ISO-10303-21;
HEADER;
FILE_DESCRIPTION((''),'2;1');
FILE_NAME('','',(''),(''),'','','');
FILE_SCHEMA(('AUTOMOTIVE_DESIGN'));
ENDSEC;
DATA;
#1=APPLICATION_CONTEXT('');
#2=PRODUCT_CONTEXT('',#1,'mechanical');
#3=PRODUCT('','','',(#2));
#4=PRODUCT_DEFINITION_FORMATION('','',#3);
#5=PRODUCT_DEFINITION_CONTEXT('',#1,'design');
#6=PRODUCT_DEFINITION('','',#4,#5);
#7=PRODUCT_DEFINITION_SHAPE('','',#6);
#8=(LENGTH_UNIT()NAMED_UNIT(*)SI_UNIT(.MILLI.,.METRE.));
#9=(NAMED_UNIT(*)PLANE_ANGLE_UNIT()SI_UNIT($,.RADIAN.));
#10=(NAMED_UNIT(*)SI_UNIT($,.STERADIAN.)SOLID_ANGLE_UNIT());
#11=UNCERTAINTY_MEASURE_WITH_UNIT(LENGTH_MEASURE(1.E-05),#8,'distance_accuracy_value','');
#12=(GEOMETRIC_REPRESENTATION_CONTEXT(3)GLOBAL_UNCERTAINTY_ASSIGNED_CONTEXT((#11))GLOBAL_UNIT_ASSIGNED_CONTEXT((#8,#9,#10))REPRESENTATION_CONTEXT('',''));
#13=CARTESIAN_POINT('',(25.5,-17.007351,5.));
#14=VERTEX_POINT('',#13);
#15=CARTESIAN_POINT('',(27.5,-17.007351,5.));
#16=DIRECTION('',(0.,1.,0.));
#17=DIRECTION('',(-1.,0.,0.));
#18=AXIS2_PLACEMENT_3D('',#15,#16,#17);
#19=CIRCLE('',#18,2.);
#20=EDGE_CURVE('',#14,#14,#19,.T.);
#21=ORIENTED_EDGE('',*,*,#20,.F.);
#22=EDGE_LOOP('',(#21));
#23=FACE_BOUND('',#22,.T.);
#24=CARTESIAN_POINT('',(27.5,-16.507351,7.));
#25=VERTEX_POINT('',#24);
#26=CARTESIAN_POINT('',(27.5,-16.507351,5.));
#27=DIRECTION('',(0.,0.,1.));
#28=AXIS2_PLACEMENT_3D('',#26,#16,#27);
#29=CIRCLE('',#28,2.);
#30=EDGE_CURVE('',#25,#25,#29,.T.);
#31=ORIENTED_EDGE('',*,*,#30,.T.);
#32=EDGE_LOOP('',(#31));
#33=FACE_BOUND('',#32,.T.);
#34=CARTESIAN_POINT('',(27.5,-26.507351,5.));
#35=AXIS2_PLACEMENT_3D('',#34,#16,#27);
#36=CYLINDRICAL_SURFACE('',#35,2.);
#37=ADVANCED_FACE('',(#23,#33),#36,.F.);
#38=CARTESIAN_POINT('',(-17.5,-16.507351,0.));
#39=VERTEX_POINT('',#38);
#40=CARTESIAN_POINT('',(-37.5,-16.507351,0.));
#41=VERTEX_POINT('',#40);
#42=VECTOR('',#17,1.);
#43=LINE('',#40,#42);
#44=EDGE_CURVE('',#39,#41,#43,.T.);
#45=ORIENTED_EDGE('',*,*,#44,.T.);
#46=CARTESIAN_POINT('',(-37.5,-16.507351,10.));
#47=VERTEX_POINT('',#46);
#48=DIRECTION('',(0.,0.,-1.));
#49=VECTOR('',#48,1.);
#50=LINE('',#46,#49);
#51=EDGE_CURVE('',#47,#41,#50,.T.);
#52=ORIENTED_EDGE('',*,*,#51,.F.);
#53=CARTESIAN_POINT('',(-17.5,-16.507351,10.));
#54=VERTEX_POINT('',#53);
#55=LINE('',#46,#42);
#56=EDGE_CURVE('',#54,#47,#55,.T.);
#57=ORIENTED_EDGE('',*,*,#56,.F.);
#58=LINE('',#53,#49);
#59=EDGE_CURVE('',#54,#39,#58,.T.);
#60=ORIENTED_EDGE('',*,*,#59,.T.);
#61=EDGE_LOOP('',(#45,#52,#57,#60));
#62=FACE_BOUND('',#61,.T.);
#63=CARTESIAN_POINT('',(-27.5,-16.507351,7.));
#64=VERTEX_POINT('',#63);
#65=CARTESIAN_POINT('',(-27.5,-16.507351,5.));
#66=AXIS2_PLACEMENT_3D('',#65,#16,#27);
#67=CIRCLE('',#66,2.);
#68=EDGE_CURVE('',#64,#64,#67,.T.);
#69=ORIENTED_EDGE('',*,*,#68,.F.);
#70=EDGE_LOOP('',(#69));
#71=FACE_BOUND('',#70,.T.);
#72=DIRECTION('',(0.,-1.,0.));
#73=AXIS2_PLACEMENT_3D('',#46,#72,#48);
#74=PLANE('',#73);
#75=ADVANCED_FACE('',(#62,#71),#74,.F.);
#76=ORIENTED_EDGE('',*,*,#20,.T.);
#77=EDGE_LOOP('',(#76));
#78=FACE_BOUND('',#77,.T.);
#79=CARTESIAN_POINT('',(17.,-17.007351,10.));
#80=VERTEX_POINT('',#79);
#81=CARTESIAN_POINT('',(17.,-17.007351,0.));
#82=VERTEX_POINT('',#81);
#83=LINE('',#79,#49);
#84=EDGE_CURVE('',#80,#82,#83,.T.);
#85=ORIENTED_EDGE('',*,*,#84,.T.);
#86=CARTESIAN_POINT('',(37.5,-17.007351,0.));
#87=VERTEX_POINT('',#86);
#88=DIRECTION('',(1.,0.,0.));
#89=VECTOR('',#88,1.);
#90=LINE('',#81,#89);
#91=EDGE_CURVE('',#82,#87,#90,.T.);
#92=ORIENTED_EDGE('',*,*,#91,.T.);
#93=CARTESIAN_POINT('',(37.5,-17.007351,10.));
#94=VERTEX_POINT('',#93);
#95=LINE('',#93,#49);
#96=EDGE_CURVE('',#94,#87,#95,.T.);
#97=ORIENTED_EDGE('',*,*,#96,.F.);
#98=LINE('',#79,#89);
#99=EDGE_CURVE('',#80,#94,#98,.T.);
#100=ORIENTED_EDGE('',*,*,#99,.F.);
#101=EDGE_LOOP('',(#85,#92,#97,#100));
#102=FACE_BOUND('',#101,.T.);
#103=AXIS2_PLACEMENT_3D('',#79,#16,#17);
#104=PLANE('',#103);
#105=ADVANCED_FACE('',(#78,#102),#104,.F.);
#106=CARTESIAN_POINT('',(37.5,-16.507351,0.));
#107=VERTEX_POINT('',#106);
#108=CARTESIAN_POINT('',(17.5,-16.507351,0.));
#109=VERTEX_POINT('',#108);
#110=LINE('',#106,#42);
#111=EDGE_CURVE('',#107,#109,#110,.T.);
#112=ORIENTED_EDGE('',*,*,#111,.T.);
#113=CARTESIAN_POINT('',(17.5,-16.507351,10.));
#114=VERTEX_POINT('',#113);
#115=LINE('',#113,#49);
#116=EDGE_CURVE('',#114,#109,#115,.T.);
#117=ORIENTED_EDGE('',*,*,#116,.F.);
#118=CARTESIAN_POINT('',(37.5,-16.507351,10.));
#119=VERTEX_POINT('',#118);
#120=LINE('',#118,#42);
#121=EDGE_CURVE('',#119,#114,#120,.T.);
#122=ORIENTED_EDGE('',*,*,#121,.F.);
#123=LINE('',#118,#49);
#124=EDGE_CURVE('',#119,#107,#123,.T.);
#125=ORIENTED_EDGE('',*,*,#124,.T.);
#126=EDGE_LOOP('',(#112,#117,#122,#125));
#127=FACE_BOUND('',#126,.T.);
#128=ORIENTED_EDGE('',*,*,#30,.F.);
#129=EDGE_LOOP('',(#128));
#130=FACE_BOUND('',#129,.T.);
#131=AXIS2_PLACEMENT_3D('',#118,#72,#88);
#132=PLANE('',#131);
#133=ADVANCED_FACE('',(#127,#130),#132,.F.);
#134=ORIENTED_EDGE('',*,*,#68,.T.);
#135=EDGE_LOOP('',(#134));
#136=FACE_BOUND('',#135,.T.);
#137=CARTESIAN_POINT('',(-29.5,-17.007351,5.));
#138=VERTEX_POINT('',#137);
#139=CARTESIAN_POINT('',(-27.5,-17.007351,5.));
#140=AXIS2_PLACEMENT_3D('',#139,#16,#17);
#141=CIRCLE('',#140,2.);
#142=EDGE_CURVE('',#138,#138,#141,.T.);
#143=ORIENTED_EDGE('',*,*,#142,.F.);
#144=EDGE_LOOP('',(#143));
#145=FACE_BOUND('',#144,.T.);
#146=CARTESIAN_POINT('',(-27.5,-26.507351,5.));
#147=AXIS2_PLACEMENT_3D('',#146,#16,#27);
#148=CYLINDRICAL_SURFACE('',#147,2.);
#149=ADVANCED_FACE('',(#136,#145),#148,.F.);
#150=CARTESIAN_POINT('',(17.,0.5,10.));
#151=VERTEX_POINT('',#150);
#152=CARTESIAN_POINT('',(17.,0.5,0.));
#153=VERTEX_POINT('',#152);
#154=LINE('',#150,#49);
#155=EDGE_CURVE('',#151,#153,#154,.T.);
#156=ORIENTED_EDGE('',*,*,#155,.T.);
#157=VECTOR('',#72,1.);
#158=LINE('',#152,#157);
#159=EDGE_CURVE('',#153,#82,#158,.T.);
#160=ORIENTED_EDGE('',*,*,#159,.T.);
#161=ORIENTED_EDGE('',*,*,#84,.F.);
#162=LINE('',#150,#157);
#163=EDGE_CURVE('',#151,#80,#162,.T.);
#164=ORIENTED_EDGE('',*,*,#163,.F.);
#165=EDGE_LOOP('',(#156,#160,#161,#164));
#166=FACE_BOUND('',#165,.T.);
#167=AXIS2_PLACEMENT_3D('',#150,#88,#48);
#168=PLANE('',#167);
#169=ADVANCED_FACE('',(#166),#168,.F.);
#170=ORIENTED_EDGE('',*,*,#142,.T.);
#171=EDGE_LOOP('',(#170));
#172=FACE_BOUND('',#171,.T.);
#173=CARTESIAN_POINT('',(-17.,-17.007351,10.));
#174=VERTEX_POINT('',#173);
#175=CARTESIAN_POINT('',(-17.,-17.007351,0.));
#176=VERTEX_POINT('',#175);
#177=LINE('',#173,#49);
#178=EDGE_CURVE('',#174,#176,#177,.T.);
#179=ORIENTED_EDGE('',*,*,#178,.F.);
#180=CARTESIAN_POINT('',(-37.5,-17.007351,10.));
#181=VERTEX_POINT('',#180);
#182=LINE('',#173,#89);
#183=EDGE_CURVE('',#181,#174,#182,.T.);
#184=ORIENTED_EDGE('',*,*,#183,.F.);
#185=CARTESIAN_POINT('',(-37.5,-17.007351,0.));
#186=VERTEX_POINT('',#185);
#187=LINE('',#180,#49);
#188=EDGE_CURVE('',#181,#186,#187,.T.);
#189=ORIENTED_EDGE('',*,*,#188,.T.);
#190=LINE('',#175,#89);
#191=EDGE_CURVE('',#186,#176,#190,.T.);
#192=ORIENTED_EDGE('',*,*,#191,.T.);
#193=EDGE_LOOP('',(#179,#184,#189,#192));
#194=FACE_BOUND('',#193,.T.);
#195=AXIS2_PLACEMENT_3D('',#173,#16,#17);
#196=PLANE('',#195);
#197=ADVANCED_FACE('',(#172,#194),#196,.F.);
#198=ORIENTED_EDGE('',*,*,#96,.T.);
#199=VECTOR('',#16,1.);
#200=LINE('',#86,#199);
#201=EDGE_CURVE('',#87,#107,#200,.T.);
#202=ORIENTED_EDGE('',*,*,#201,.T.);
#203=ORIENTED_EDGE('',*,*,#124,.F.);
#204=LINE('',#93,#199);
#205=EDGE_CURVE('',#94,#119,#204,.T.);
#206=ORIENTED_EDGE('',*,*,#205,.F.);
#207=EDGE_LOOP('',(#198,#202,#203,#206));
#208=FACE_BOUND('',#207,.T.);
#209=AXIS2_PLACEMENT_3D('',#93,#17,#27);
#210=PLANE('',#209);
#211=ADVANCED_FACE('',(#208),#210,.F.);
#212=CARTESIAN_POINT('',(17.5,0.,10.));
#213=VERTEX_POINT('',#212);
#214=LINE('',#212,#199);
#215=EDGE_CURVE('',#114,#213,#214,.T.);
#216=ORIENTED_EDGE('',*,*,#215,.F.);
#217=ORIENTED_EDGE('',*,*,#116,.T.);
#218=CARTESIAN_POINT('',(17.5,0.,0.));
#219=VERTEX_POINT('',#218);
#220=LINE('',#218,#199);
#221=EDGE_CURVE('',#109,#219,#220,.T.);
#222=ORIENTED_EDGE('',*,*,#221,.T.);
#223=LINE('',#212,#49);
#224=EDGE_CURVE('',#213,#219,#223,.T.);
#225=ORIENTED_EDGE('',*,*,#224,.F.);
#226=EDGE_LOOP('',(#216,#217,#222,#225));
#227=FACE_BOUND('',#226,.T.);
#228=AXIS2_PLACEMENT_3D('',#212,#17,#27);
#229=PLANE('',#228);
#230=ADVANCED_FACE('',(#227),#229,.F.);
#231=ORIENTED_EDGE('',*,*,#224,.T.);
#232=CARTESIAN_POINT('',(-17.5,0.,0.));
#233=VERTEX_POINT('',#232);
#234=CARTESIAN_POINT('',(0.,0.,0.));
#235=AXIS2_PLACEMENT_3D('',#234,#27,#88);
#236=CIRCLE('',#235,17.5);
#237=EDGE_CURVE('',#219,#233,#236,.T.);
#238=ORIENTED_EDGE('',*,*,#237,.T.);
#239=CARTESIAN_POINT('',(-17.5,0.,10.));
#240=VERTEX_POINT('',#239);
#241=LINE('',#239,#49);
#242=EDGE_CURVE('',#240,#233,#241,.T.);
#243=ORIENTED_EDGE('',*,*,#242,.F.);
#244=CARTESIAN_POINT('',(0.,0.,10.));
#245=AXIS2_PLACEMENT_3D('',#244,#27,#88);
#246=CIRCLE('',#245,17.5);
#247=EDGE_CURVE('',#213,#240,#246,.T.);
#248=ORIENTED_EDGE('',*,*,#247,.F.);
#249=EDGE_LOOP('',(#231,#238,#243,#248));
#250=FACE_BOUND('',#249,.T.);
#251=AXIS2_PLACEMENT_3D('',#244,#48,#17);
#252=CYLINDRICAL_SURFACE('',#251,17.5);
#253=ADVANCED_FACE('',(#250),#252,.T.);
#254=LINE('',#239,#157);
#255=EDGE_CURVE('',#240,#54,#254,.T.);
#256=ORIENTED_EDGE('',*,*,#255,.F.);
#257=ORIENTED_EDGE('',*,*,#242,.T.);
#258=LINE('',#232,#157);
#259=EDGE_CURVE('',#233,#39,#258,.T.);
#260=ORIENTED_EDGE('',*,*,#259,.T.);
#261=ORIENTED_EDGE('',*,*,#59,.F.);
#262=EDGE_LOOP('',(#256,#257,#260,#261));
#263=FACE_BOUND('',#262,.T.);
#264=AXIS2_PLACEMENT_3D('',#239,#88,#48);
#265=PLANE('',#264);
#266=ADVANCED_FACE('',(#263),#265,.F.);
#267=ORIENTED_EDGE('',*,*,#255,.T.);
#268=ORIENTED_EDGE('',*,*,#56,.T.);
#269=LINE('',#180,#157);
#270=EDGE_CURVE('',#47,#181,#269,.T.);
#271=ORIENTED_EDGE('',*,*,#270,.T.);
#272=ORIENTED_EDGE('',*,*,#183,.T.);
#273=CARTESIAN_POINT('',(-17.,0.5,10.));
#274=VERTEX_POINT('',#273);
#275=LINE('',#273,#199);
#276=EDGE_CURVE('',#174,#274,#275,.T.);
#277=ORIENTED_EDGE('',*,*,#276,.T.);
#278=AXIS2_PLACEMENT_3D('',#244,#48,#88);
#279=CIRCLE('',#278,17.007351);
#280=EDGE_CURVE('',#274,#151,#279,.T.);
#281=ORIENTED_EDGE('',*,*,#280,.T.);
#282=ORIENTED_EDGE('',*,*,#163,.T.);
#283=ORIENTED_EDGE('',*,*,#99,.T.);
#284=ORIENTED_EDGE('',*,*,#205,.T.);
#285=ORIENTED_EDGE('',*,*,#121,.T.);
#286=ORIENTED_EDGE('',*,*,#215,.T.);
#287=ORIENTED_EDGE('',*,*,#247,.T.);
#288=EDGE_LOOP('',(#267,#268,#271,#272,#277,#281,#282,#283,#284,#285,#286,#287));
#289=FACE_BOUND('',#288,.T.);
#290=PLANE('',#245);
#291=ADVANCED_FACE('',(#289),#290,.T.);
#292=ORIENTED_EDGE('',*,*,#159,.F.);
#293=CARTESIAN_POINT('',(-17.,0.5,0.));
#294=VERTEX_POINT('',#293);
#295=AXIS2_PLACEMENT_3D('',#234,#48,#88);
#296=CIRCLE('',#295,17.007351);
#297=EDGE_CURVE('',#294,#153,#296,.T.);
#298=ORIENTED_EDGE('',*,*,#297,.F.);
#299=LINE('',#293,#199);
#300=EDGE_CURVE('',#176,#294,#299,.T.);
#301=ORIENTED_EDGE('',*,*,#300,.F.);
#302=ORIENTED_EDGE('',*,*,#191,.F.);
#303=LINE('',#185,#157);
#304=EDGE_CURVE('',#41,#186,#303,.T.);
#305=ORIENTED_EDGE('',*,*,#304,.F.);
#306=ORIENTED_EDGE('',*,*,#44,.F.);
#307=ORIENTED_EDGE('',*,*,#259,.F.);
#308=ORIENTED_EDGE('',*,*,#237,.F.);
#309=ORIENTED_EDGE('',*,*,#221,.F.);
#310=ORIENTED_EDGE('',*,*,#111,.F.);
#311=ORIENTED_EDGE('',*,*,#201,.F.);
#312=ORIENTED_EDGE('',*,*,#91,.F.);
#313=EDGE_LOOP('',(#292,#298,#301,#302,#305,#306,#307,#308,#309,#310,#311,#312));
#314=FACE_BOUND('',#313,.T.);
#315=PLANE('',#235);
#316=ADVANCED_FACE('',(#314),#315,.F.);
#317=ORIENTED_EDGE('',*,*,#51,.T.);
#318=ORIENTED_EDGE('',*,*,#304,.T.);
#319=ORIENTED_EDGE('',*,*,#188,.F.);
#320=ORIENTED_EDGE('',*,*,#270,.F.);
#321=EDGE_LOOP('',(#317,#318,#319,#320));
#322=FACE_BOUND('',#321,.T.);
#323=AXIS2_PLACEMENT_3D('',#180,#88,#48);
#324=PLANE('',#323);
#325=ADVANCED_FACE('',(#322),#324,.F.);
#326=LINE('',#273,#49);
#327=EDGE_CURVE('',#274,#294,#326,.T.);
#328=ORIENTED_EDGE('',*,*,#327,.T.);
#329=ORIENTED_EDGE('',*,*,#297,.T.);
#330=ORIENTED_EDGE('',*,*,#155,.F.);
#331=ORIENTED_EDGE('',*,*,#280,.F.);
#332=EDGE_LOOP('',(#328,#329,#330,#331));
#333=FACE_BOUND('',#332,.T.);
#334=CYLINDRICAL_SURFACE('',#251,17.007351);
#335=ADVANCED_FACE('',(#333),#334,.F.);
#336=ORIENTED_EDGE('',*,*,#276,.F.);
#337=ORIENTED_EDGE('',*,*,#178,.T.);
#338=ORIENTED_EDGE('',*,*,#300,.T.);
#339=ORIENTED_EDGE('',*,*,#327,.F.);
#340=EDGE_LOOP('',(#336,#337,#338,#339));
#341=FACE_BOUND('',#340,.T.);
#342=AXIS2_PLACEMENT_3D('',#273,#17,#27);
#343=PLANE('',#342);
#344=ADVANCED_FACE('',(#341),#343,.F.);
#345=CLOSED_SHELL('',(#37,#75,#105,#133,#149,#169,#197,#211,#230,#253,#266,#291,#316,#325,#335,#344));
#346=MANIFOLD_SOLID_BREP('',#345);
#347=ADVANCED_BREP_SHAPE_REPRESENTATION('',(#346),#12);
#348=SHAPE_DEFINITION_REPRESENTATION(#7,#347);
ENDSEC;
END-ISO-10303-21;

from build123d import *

# Parameters (mm, degrees)
SALIENTE_EXTRUIR1_DEPTH = 10
CROQUIS2_R              = 2
CORTAR_EXTRUIR1_DEPTH   = 10


with BuildPart() as part:
    # Croquis1 → Saliente-Extruir1 (new body)
    with BuildSketch(Plane.XY):
        with BuildLine():
            Line((-17.5, 0), (-17.5, -16.507351352))
            Line((-17.5, -16.507351352), (-37.5, -16.507351352))
            Line((-37.5, -16.507351352), (-37.5, -17.007351352))
            Line((-37.5, -17.007351352), (-17, -17.007351352))
            Line((-17, -17.007351352), (-17, 0.5))
            ThreePointArc((-17, 0.5), (0, 17.007351352), (17, 0.5))
            Line((17, 0.5), (17, -17.007351352))
            Line((17, -17.007351352), (37.5, -17.007351352))
            Line((37.5, -17.007351352), (37.5, -16.507351352))
            Line((37.5, -16.507351352), (17.5, -16.507351352))
            Line((17.5, -16.507351352), (17.5, 0))
            ThreePointArc((17.5, 0), (0, 17.5), (-17.5, 0))
        make_face()
    extrude(amount=SALIENTE_EXTRUIR1_DEPTH)

    # Croquis2 → Cortar-Extruir1 (cut)
    with BuildSketch(Plane(origin=(0, -16.507351352, 0), x_dir=(1, 0, 0), z_dir=(0, 1, 0))):
        with Locations(Location((-27.5, -5, 0), (0, 0, 270))):
            Circle(CROQUIS2_R)
        with Locations(Location((27.5, -5, 0), (0, 0, 270))):
            Circle(CROQUIS2_R)
    extrude(amount=-CORTAR_EXTRUIR1_DEPTH, mode=Mode.SUBTRACT)


solid = part.part
